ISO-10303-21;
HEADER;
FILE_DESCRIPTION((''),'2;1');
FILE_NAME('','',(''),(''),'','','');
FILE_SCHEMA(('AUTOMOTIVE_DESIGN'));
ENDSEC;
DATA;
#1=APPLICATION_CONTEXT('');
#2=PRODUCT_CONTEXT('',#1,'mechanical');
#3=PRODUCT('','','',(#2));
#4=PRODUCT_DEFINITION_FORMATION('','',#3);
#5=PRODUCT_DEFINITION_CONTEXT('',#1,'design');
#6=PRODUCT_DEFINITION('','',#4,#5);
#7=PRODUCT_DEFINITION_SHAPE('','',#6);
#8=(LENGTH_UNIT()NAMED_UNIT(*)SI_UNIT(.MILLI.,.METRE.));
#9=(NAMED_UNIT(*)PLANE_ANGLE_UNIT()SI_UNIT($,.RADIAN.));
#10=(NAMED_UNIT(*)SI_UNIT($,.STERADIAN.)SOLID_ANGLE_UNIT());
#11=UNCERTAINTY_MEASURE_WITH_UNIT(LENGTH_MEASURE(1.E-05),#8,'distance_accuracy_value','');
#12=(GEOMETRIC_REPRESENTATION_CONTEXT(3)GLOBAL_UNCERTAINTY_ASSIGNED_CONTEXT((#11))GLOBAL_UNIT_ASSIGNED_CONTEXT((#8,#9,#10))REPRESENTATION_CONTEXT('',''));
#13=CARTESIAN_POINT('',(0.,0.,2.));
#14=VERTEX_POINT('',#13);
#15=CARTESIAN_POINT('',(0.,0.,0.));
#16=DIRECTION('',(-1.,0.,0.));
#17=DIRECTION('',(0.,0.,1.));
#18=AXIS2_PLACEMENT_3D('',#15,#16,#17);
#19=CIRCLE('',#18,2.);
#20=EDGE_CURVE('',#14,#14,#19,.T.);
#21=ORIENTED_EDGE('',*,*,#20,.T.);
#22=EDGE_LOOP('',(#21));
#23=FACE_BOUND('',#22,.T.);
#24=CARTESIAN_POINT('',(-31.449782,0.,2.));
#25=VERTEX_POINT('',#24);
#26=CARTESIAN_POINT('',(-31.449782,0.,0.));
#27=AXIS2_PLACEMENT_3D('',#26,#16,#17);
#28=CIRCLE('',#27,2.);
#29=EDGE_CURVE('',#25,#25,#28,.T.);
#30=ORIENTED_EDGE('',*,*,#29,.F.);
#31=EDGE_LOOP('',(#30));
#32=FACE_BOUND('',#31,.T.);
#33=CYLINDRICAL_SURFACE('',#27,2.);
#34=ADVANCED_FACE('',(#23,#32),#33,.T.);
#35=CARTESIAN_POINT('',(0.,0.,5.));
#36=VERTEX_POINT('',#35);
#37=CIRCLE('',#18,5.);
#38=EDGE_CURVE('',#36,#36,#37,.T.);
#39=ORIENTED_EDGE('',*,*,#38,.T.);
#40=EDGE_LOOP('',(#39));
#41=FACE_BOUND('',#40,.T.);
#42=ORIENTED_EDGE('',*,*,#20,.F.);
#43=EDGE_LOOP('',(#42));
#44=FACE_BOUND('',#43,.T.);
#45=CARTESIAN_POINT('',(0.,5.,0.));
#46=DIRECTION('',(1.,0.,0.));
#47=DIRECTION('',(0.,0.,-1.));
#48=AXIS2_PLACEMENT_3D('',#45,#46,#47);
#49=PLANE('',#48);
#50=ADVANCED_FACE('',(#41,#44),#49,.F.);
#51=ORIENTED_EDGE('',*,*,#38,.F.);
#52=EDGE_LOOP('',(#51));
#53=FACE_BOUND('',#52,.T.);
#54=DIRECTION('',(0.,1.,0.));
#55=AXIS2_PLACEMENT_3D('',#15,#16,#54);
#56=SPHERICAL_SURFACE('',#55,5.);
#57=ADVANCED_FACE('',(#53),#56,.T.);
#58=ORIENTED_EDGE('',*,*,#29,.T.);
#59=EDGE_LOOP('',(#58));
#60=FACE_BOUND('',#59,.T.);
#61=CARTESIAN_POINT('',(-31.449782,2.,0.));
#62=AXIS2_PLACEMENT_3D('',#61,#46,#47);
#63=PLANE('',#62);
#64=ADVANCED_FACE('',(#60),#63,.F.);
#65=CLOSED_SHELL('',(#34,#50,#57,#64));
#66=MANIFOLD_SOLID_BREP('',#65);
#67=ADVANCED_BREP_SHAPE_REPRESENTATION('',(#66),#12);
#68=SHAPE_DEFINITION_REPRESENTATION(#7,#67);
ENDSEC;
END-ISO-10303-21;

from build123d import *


with BuildPart() as part:
    # Sketch1 → Revolve1 (revolve)
    with BuildSketch(Plane.XY):
        with BuildLine():
            Line((0, 5), (0, 2))
            Line((0, 2), (-31.449781659, 2))
            Line((-31.449781659, 2), (-31.449781659, 0))
            Line((-31.449781659, 0), (0, 0))
            Line((0, 0), (5, 0))
            ThreePointArc((5, 0), (3.535533906, 3.535533906), (0, 5))
        make_face()
    revolve(axis=Axis((-31.449781659, 0, 0), (1, 0, 0)))


solid = part.part
